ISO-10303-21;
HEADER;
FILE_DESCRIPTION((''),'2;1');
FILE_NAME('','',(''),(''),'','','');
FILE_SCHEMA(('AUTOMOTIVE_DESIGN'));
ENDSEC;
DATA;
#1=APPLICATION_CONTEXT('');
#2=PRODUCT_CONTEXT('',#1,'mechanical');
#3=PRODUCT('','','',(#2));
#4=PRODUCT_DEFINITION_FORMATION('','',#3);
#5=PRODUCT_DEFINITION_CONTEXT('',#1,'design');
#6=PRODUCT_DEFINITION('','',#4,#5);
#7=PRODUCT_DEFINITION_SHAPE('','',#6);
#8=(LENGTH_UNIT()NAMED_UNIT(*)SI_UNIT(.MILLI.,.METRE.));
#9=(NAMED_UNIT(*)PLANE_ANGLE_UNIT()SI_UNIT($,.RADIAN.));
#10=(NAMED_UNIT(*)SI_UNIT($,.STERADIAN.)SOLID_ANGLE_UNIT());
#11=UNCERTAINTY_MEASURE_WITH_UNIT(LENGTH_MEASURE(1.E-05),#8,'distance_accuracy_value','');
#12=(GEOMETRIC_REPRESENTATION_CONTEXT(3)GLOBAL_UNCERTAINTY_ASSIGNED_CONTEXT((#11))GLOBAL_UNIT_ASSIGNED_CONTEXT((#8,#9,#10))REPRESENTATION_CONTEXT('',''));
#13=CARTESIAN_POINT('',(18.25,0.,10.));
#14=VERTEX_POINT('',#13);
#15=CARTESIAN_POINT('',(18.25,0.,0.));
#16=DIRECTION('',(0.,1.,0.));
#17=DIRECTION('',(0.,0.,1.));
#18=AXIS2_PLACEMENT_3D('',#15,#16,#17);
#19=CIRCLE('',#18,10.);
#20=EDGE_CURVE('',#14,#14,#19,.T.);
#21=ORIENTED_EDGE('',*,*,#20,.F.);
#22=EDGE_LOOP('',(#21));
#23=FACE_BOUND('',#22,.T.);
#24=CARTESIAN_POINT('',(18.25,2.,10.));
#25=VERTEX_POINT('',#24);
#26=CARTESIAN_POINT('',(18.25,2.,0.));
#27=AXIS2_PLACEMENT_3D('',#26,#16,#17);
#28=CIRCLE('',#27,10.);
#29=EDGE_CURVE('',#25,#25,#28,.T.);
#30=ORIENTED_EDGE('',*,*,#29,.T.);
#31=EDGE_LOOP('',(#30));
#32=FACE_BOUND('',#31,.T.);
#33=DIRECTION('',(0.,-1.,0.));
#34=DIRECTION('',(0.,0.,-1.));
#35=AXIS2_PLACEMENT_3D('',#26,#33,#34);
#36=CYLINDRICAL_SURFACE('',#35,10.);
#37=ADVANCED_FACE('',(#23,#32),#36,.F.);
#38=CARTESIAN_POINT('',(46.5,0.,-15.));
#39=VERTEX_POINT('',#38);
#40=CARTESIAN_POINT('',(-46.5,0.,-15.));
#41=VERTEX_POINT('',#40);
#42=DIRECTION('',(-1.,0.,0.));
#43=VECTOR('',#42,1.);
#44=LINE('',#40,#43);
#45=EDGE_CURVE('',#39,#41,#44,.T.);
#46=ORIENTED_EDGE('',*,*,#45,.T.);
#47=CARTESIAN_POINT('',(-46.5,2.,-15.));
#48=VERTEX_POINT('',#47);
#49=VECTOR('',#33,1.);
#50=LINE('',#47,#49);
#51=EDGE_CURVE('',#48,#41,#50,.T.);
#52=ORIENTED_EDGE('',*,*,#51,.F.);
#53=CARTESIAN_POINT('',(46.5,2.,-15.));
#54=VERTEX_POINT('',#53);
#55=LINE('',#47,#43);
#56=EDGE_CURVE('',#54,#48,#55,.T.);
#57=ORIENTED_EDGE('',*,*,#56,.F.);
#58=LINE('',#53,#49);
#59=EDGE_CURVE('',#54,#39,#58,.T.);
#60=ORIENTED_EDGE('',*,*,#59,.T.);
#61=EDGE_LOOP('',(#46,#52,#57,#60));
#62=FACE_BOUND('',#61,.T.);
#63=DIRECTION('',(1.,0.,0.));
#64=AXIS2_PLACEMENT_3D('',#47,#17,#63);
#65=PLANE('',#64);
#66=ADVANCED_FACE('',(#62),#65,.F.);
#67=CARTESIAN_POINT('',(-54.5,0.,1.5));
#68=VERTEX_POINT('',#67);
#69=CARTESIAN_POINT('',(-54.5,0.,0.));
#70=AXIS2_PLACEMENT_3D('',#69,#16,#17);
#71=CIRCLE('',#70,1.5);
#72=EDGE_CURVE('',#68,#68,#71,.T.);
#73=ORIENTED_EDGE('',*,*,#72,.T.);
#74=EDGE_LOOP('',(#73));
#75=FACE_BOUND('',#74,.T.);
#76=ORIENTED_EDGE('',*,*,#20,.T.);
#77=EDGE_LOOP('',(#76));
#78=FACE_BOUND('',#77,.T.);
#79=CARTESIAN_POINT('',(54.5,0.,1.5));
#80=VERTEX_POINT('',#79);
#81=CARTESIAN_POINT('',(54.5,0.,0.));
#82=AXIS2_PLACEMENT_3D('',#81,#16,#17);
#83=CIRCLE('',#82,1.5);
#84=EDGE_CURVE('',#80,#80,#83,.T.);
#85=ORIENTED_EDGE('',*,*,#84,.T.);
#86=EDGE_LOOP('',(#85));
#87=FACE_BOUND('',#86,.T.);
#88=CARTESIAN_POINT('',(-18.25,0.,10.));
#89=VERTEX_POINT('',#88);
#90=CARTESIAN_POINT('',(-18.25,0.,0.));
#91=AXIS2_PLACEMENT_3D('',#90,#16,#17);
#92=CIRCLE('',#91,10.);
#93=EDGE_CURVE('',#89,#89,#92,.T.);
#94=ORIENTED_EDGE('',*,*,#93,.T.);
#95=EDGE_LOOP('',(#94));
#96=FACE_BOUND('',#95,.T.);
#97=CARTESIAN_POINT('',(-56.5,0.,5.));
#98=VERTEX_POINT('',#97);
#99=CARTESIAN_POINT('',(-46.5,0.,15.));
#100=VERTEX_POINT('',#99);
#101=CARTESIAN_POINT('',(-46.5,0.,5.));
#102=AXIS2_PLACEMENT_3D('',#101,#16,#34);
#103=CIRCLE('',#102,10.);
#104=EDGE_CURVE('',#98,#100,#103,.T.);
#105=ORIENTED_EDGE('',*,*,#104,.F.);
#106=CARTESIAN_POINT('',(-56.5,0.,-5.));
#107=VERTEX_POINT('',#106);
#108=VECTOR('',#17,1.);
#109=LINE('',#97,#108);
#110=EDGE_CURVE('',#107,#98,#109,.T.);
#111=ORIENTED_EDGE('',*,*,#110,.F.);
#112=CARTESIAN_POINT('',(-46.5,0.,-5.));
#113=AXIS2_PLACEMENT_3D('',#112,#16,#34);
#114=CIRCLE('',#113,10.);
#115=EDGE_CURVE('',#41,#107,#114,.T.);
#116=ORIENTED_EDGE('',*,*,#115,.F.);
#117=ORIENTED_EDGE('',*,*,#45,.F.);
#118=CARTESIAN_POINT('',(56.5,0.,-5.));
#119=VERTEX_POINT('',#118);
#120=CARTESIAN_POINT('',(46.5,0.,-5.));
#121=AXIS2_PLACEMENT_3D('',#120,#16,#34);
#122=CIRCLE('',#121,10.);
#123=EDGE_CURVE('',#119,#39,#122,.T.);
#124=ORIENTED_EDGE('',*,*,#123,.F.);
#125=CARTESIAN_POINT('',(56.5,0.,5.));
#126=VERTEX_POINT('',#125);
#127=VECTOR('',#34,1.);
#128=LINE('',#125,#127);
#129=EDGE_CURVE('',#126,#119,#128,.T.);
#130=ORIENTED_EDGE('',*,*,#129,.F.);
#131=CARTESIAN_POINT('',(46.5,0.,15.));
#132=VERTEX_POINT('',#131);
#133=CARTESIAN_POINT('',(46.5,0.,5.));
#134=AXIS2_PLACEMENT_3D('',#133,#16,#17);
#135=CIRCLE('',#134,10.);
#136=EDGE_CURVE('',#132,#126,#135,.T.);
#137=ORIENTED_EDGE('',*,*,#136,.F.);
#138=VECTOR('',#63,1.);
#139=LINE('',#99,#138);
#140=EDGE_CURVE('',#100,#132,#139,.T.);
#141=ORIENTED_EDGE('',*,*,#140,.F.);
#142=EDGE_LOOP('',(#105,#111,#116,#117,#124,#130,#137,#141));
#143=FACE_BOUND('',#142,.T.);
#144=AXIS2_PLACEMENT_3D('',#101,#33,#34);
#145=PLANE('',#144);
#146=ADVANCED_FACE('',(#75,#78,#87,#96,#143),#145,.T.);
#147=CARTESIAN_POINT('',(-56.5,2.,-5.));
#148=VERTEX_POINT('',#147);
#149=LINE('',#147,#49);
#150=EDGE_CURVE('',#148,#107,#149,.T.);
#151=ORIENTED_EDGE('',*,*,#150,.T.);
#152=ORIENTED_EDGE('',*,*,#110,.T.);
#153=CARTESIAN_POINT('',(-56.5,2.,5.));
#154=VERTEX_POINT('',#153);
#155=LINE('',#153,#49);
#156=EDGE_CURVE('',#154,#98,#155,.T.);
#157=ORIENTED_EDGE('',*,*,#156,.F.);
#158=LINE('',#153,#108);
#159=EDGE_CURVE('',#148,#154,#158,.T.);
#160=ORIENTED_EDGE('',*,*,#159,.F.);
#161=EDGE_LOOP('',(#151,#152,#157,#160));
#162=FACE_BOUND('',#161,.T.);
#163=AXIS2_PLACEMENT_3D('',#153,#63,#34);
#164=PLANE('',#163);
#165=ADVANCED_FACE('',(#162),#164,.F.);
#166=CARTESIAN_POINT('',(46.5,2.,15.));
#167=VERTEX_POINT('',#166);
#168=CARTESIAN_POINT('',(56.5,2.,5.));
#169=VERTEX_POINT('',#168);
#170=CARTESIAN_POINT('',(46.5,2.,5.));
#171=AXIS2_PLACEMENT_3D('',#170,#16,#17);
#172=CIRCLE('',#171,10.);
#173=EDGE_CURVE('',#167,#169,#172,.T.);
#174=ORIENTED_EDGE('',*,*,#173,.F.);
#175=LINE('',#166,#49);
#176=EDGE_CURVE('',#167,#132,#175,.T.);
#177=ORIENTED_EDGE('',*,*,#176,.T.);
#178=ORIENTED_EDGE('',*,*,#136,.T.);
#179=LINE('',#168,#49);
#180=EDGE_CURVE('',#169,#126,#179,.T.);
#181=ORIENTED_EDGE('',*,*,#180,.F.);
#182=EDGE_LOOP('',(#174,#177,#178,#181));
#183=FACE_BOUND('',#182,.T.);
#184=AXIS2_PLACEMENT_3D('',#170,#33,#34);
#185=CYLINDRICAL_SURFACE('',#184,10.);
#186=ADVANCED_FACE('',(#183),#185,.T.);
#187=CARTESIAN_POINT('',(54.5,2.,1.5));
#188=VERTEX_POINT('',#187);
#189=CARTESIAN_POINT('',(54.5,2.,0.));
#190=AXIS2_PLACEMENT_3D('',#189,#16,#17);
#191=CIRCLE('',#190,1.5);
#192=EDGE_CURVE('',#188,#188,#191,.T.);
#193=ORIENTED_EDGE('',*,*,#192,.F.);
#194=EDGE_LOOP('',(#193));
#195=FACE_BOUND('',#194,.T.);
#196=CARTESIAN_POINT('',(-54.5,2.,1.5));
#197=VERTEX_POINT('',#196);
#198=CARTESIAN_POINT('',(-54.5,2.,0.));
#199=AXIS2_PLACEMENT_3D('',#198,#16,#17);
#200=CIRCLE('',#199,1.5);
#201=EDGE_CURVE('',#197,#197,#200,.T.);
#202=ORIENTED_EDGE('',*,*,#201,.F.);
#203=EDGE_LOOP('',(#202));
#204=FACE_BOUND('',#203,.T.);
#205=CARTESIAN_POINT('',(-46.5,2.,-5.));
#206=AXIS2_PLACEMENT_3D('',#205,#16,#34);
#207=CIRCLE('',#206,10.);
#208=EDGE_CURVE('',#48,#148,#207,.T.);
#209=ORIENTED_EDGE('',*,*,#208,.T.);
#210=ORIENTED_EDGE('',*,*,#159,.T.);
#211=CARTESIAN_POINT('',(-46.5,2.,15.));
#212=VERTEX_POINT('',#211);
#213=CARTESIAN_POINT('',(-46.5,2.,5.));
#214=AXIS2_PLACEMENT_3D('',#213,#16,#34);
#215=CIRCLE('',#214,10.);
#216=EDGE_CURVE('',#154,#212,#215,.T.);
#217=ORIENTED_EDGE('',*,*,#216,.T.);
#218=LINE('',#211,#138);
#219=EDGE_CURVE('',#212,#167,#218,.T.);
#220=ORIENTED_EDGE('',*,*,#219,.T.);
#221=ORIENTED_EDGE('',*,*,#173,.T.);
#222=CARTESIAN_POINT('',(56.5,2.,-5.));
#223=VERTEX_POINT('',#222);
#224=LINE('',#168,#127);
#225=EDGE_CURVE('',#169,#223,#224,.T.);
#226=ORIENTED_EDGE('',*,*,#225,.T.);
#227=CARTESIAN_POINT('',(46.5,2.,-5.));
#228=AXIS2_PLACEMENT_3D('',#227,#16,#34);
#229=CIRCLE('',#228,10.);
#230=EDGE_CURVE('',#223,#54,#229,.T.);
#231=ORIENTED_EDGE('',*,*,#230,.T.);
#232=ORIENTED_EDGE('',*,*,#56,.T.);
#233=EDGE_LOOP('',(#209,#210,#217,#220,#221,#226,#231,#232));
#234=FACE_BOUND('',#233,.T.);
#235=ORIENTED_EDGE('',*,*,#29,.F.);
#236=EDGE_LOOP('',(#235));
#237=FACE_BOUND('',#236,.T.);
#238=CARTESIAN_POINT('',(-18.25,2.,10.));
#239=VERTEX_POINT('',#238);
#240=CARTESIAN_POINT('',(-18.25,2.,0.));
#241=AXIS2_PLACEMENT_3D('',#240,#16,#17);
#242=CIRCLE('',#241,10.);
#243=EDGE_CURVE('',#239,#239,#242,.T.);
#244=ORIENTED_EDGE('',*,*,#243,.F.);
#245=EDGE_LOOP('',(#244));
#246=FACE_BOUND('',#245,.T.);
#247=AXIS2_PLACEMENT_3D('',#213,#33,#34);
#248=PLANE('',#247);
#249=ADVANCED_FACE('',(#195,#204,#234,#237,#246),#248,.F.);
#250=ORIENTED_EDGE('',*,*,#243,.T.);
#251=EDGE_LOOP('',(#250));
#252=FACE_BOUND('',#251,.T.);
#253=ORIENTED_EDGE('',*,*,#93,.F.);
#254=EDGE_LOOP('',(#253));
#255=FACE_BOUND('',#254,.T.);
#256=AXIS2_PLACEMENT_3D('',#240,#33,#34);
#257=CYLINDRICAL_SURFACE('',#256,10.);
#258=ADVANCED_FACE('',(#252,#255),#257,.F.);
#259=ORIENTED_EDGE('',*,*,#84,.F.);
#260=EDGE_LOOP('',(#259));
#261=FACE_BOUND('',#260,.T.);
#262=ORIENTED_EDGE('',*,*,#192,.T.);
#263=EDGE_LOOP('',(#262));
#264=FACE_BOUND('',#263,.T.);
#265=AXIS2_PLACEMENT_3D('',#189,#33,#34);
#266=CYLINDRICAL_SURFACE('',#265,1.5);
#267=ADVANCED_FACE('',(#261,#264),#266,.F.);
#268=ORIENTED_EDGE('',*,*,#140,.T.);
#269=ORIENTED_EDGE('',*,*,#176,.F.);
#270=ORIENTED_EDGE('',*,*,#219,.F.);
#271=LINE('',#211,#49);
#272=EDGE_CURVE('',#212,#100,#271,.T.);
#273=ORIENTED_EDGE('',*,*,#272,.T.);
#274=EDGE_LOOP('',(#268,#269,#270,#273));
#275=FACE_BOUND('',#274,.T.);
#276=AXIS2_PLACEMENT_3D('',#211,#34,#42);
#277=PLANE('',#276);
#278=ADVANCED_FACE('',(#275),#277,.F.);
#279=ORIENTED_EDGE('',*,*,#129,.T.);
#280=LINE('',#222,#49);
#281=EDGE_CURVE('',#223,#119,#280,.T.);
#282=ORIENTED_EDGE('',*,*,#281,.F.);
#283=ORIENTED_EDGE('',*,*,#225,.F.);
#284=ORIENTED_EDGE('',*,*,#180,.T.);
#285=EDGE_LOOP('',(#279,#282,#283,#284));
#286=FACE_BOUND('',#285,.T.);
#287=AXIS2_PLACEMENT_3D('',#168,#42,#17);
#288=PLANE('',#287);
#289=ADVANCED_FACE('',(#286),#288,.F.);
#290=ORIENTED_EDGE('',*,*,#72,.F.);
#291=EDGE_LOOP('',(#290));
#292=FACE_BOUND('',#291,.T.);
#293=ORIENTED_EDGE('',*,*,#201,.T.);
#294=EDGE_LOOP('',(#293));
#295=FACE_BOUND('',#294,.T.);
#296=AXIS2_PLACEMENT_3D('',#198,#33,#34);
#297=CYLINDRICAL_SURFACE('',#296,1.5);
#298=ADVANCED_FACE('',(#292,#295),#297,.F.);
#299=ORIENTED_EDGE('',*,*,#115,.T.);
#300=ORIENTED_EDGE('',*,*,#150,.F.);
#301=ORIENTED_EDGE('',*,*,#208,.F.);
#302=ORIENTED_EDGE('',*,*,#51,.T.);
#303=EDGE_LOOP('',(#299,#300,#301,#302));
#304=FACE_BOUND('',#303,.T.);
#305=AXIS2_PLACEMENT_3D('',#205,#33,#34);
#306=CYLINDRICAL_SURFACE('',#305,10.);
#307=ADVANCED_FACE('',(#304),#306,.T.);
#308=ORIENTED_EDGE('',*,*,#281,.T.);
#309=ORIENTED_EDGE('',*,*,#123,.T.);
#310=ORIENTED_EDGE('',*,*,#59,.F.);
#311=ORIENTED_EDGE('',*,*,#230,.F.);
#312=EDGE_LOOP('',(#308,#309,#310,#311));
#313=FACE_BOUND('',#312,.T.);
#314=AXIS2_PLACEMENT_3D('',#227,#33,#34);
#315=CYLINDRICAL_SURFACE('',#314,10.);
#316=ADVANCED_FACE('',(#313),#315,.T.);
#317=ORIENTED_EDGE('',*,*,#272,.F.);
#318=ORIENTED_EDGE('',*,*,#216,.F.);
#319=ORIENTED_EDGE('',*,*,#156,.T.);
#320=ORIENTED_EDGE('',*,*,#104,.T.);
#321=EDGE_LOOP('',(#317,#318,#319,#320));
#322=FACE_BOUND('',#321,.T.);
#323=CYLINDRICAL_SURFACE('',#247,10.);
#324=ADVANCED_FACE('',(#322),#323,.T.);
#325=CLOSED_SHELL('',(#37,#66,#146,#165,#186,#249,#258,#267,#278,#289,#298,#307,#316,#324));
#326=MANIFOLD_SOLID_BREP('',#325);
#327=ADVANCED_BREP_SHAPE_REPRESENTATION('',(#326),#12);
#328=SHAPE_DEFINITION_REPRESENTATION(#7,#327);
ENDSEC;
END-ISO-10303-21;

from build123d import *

# Parameters (mm, degrees)
SKETCH_1_R      = 10
SKETCH_1_R_2    = 1.5
EXTRUDE_1_DEPTH = 2


with BuildPart() as part:
    # 草图1 → 凸台-拉伸1 (new body)
    with BuildSketch(Plane(origin=(0, 0, 0), x_dir=(1, 0, 0), z_dir=(0, 1, 0))):
        with BuildLine():
            Line((-46.5, -15), (46.5, -15))
            ThreePointArc((46.5, -15), (53.571067812, -12.071067812), (56.5, -5))
            Line((56.5, -5), (56.5, 5))
            ThreePointArc((56.5, 5), (53.571067812, 12.071067812), (46.5, 15))
            Line((46.5, 15), (-46.5, 15))
            ThreePointArc((-46.5, 15), (-53.571067812, 12.071067812), (-56.5, 5))
            Line((-56.5, 5), (-56.5, -5))
            ThreePointArc((-56.5, -5), (-53.571067812, -12.071067812), (-46.5, -15))
        make_face()
        with Locations(Location((18.25, 0, 0), (0, 0, 270))):
            Circle(SKETCH_1_R, mode=Mode.SUBTRACT)
        with Locations(Location((-18.25, 0, 0), (0, 0, 270))):
            Circle(SKETCH_1_R, mode=Mode.SUBTRACT)
        with Locations(Location((-54.5, 0, 0), (0, 0, 270))):
            Circle(SKETCH_1_R_2, mode=Mode.SUBTRACT)
        with Locations(Location((54.5, 0, 0), (0, 0, 270))):
            Circle(SKETCH_1_R_2, mode=Mode.SUBTRACT)
    extrude(amount=EXTRUDE_1_DEPTH)


solid = part.part
